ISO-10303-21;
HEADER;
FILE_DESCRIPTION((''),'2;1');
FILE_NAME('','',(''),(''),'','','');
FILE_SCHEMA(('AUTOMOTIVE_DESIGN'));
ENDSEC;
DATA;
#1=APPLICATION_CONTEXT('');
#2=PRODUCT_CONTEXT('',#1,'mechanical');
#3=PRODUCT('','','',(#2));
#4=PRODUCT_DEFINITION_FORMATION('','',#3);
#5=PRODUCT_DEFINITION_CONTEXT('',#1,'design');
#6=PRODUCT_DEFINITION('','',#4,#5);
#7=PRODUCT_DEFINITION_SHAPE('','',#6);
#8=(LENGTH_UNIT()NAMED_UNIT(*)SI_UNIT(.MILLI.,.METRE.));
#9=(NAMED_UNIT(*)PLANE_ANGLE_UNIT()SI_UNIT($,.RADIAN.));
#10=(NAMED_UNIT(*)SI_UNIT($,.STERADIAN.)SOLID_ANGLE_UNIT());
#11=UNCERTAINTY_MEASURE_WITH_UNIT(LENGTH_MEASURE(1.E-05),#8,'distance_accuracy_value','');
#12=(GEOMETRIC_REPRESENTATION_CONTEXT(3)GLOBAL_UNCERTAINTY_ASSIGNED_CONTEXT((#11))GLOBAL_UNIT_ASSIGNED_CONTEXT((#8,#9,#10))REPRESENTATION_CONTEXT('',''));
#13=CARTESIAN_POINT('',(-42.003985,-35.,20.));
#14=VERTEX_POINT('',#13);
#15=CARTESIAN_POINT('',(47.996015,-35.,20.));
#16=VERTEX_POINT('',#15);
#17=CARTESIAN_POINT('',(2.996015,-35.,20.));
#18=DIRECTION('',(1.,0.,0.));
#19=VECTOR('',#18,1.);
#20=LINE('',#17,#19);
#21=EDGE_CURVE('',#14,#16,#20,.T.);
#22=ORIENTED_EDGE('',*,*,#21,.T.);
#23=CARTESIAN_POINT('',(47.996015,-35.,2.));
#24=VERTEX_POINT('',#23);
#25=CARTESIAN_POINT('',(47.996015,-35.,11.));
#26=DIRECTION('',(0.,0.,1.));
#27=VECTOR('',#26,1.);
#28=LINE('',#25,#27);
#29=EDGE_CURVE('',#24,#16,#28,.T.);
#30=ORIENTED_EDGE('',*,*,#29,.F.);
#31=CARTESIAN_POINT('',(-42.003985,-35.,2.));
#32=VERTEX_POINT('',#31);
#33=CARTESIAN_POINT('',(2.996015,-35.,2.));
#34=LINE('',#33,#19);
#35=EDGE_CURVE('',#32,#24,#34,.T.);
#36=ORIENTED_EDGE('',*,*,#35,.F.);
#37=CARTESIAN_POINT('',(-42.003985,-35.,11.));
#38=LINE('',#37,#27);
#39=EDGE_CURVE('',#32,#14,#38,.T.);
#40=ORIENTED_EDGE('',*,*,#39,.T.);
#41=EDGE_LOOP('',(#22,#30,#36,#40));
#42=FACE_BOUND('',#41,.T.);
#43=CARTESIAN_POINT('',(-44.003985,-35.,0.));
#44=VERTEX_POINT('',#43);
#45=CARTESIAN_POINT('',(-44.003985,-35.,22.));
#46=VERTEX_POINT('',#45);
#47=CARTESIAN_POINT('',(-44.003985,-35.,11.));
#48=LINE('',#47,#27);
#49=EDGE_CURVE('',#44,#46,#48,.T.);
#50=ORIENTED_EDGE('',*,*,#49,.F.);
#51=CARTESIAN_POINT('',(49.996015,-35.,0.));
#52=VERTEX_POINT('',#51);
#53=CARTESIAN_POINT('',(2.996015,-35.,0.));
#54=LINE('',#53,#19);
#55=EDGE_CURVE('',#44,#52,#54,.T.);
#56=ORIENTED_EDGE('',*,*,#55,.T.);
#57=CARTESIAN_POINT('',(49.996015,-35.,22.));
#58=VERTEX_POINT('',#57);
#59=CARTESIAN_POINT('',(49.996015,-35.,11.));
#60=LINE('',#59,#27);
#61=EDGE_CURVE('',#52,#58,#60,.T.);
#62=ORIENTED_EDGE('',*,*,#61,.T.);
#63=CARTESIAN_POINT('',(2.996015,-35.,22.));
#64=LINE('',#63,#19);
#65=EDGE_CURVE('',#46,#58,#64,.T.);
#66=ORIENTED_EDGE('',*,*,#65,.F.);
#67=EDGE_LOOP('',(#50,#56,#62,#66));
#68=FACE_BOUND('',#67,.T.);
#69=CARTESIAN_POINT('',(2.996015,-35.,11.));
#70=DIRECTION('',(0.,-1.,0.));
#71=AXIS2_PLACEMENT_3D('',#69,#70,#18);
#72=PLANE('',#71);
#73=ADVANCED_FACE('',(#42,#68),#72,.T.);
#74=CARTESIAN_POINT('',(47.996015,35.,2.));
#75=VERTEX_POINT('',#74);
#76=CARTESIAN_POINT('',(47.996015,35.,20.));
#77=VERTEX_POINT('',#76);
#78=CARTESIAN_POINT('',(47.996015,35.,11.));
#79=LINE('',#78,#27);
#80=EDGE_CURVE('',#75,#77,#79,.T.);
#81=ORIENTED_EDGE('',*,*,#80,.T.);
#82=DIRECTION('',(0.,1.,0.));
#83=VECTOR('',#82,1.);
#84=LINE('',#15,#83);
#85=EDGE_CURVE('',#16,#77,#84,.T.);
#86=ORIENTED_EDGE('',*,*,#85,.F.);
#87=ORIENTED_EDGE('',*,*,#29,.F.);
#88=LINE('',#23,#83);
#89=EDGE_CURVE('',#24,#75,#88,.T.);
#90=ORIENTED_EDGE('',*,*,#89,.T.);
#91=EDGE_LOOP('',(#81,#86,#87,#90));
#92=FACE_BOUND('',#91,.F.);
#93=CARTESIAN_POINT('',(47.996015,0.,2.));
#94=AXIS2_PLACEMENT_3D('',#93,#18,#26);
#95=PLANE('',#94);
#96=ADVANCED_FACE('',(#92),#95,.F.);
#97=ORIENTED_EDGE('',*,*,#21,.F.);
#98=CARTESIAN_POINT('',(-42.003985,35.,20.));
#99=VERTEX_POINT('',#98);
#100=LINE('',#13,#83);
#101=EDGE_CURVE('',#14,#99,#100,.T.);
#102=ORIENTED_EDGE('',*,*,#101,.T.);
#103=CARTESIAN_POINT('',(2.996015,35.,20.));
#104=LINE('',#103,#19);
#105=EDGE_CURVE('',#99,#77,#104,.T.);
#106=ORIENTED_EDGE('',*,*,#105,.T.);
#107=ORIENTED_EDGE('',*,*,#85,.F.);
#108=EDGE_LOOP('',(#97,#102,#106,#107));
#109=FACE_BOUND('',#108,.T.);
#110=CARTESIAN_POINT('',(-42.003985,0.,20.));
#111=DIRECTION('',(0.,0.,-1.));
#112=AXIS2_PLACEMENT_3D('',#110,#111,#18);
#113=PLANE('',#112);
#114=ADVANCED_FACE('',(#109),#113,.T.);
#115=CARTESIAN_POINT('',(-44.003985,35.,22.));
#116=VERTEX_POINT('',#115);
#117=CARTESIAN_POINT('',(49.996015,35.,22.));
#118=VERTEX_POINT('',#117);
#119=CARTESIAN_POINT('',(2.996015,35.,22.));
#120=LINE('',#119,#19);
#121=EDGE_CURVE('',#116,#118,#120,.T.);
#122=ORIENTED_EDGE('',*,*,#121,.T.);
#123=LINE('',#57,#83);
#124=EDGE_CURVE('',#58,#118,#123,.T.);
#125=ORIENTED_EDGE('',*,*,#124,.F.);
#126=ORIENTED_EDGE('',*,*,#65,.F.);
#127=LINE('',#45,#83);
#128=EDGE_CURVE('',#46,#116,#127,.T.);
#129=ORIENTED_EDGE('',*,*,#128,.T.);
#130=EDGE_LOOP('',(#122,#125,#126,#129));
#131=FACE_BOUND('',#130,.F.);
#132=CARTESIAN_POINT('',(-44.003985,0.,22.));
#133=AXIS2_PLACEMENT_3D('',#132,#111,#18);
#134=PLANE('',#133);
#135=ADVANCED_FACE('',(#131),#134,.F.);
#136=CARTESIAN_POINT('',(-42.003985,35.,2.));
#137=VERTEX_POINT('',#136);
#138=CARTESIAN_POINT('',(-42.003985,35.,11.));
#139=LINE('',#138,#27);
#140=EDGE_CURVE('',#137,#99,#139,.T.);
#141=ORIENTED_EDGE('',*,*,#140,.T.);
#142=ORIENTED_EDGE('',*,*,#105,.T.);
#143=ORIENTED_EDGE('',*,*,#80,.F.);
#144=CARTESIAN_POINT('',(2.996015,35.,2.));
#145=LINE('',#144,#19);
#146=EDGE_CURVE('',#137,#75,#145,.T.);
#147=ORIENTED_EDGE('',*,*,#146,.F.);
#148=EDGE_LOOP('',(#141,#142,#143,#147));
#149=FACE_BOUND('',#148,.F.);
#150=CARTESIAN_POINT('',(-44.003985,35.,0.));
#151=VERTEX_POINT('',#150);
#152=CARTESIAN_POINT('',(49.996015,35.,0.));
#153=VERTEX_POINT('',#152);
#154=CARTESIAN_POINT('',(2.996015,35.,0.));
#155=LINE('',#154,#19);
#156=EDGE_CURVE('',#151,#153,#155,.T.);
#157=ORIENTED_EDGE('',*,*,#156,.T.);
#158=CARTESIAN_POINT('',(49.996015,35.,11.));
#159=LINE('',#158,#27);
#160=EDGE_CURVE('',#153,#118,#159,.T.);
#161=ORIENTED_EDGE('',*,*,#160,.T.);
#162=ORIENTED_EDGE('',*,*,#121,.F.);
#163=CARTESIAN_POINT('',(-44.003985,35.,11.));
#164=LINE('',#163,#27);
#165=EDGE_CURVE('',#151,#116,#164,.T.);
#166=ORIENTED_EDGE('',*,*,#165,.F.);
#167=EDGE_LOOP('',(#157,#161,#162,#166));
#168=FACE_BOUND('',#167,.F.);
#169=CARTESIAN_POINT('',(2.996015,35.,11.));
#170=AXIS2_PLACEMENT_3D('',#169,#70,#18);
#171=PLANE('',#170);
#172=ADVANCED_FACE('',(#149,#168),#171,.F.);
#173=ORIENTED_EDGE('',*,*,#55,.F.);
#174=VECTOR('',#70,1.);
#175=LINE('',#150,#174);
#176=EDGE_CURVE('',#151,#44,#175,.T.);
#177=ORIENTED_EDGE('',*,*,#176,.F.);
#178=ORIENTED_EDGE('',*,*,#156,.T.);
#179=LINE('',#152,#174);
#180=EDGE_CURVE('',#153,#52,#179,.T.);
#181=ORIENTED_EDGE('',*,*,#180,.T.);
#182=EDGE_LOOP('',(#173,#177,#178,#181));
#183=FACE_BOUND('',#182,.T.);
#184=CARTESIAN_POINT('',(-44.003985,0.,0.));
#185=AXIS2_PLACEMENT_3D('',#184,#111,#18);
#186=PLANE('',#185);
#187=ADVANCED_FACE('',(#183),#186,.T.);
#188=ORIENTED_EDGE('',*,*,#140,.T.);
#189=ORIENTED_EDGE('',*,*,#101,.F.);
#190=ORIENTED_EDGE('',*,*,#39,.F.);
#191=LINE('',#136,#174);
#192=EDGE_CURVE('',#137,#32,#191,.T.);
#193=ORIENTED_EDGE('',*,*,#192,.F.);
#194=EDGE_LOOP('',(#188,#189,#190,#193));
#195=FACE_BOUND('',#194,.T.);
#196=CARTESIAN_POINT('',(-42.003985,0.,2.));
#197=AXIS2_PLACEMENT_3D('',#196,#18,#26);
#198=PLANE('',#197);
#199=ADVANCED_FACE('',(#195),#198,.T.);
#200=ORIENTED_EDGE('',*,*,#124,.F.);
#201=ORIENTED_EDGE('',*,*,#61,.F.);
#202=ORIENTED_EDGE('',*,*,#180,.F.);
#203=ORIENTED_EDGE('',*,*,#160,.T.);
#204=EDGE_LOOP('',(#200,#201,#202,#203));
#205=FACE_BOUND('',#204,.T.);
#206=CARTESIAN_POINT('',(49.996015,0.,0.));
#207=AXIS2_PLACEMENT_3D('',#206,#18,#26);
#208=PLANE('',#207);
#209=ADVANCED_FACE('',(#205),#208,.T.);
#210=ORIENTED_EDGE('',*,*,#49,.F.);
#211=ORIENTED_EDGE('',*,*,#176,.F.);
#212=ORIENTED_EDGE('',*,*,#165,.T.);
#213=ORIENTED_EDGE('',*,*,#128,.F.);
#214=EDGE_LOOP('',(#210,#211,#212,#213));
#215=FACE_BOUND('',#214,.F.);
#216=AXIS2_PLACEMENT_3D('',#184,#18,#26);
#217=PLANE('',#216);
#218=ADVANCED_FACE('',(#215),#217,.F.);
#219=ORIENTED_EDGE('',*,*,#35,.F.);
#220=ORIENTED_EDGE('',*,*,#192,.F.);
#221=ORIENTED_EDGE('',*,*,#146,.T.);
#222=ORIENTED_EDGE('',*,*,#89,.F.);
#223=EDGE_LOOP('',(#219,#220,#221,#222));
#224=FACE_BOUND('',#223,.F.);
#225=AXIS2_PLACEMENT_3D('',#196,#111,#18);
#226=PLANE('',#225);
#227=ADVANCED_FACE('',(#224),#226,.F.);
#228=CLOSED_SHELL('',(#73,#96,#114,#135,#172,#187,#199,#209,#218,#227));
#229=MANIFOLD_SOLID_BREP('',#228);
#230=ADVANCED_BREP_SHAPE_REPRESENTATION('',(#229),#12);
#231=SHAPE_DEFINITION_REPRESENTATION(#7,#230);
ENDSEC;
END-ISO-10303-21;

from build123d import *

# Parameters (mm, degrees)
F0_W     = 94
F0_H     = 22
F0_W_2   = 90
F0_H_2   = 18
F1_DEPTH = 35


with BuildPart() as f1:
    # F0 (on Front) → F1 (new body, symmetric)
    with BuildSketch(Plane.XZ):
        with Locations((2.996015, 11)):
            Rectangle(F0_W, F0_H)
        with Locations((2.996015, 11)):
            Rectangle(F0_W_2, F0_H_2, mode=Mode.SUBTRACT)
    extrude(amount=F1_DEPTH, both=True)


solid = f1.part
